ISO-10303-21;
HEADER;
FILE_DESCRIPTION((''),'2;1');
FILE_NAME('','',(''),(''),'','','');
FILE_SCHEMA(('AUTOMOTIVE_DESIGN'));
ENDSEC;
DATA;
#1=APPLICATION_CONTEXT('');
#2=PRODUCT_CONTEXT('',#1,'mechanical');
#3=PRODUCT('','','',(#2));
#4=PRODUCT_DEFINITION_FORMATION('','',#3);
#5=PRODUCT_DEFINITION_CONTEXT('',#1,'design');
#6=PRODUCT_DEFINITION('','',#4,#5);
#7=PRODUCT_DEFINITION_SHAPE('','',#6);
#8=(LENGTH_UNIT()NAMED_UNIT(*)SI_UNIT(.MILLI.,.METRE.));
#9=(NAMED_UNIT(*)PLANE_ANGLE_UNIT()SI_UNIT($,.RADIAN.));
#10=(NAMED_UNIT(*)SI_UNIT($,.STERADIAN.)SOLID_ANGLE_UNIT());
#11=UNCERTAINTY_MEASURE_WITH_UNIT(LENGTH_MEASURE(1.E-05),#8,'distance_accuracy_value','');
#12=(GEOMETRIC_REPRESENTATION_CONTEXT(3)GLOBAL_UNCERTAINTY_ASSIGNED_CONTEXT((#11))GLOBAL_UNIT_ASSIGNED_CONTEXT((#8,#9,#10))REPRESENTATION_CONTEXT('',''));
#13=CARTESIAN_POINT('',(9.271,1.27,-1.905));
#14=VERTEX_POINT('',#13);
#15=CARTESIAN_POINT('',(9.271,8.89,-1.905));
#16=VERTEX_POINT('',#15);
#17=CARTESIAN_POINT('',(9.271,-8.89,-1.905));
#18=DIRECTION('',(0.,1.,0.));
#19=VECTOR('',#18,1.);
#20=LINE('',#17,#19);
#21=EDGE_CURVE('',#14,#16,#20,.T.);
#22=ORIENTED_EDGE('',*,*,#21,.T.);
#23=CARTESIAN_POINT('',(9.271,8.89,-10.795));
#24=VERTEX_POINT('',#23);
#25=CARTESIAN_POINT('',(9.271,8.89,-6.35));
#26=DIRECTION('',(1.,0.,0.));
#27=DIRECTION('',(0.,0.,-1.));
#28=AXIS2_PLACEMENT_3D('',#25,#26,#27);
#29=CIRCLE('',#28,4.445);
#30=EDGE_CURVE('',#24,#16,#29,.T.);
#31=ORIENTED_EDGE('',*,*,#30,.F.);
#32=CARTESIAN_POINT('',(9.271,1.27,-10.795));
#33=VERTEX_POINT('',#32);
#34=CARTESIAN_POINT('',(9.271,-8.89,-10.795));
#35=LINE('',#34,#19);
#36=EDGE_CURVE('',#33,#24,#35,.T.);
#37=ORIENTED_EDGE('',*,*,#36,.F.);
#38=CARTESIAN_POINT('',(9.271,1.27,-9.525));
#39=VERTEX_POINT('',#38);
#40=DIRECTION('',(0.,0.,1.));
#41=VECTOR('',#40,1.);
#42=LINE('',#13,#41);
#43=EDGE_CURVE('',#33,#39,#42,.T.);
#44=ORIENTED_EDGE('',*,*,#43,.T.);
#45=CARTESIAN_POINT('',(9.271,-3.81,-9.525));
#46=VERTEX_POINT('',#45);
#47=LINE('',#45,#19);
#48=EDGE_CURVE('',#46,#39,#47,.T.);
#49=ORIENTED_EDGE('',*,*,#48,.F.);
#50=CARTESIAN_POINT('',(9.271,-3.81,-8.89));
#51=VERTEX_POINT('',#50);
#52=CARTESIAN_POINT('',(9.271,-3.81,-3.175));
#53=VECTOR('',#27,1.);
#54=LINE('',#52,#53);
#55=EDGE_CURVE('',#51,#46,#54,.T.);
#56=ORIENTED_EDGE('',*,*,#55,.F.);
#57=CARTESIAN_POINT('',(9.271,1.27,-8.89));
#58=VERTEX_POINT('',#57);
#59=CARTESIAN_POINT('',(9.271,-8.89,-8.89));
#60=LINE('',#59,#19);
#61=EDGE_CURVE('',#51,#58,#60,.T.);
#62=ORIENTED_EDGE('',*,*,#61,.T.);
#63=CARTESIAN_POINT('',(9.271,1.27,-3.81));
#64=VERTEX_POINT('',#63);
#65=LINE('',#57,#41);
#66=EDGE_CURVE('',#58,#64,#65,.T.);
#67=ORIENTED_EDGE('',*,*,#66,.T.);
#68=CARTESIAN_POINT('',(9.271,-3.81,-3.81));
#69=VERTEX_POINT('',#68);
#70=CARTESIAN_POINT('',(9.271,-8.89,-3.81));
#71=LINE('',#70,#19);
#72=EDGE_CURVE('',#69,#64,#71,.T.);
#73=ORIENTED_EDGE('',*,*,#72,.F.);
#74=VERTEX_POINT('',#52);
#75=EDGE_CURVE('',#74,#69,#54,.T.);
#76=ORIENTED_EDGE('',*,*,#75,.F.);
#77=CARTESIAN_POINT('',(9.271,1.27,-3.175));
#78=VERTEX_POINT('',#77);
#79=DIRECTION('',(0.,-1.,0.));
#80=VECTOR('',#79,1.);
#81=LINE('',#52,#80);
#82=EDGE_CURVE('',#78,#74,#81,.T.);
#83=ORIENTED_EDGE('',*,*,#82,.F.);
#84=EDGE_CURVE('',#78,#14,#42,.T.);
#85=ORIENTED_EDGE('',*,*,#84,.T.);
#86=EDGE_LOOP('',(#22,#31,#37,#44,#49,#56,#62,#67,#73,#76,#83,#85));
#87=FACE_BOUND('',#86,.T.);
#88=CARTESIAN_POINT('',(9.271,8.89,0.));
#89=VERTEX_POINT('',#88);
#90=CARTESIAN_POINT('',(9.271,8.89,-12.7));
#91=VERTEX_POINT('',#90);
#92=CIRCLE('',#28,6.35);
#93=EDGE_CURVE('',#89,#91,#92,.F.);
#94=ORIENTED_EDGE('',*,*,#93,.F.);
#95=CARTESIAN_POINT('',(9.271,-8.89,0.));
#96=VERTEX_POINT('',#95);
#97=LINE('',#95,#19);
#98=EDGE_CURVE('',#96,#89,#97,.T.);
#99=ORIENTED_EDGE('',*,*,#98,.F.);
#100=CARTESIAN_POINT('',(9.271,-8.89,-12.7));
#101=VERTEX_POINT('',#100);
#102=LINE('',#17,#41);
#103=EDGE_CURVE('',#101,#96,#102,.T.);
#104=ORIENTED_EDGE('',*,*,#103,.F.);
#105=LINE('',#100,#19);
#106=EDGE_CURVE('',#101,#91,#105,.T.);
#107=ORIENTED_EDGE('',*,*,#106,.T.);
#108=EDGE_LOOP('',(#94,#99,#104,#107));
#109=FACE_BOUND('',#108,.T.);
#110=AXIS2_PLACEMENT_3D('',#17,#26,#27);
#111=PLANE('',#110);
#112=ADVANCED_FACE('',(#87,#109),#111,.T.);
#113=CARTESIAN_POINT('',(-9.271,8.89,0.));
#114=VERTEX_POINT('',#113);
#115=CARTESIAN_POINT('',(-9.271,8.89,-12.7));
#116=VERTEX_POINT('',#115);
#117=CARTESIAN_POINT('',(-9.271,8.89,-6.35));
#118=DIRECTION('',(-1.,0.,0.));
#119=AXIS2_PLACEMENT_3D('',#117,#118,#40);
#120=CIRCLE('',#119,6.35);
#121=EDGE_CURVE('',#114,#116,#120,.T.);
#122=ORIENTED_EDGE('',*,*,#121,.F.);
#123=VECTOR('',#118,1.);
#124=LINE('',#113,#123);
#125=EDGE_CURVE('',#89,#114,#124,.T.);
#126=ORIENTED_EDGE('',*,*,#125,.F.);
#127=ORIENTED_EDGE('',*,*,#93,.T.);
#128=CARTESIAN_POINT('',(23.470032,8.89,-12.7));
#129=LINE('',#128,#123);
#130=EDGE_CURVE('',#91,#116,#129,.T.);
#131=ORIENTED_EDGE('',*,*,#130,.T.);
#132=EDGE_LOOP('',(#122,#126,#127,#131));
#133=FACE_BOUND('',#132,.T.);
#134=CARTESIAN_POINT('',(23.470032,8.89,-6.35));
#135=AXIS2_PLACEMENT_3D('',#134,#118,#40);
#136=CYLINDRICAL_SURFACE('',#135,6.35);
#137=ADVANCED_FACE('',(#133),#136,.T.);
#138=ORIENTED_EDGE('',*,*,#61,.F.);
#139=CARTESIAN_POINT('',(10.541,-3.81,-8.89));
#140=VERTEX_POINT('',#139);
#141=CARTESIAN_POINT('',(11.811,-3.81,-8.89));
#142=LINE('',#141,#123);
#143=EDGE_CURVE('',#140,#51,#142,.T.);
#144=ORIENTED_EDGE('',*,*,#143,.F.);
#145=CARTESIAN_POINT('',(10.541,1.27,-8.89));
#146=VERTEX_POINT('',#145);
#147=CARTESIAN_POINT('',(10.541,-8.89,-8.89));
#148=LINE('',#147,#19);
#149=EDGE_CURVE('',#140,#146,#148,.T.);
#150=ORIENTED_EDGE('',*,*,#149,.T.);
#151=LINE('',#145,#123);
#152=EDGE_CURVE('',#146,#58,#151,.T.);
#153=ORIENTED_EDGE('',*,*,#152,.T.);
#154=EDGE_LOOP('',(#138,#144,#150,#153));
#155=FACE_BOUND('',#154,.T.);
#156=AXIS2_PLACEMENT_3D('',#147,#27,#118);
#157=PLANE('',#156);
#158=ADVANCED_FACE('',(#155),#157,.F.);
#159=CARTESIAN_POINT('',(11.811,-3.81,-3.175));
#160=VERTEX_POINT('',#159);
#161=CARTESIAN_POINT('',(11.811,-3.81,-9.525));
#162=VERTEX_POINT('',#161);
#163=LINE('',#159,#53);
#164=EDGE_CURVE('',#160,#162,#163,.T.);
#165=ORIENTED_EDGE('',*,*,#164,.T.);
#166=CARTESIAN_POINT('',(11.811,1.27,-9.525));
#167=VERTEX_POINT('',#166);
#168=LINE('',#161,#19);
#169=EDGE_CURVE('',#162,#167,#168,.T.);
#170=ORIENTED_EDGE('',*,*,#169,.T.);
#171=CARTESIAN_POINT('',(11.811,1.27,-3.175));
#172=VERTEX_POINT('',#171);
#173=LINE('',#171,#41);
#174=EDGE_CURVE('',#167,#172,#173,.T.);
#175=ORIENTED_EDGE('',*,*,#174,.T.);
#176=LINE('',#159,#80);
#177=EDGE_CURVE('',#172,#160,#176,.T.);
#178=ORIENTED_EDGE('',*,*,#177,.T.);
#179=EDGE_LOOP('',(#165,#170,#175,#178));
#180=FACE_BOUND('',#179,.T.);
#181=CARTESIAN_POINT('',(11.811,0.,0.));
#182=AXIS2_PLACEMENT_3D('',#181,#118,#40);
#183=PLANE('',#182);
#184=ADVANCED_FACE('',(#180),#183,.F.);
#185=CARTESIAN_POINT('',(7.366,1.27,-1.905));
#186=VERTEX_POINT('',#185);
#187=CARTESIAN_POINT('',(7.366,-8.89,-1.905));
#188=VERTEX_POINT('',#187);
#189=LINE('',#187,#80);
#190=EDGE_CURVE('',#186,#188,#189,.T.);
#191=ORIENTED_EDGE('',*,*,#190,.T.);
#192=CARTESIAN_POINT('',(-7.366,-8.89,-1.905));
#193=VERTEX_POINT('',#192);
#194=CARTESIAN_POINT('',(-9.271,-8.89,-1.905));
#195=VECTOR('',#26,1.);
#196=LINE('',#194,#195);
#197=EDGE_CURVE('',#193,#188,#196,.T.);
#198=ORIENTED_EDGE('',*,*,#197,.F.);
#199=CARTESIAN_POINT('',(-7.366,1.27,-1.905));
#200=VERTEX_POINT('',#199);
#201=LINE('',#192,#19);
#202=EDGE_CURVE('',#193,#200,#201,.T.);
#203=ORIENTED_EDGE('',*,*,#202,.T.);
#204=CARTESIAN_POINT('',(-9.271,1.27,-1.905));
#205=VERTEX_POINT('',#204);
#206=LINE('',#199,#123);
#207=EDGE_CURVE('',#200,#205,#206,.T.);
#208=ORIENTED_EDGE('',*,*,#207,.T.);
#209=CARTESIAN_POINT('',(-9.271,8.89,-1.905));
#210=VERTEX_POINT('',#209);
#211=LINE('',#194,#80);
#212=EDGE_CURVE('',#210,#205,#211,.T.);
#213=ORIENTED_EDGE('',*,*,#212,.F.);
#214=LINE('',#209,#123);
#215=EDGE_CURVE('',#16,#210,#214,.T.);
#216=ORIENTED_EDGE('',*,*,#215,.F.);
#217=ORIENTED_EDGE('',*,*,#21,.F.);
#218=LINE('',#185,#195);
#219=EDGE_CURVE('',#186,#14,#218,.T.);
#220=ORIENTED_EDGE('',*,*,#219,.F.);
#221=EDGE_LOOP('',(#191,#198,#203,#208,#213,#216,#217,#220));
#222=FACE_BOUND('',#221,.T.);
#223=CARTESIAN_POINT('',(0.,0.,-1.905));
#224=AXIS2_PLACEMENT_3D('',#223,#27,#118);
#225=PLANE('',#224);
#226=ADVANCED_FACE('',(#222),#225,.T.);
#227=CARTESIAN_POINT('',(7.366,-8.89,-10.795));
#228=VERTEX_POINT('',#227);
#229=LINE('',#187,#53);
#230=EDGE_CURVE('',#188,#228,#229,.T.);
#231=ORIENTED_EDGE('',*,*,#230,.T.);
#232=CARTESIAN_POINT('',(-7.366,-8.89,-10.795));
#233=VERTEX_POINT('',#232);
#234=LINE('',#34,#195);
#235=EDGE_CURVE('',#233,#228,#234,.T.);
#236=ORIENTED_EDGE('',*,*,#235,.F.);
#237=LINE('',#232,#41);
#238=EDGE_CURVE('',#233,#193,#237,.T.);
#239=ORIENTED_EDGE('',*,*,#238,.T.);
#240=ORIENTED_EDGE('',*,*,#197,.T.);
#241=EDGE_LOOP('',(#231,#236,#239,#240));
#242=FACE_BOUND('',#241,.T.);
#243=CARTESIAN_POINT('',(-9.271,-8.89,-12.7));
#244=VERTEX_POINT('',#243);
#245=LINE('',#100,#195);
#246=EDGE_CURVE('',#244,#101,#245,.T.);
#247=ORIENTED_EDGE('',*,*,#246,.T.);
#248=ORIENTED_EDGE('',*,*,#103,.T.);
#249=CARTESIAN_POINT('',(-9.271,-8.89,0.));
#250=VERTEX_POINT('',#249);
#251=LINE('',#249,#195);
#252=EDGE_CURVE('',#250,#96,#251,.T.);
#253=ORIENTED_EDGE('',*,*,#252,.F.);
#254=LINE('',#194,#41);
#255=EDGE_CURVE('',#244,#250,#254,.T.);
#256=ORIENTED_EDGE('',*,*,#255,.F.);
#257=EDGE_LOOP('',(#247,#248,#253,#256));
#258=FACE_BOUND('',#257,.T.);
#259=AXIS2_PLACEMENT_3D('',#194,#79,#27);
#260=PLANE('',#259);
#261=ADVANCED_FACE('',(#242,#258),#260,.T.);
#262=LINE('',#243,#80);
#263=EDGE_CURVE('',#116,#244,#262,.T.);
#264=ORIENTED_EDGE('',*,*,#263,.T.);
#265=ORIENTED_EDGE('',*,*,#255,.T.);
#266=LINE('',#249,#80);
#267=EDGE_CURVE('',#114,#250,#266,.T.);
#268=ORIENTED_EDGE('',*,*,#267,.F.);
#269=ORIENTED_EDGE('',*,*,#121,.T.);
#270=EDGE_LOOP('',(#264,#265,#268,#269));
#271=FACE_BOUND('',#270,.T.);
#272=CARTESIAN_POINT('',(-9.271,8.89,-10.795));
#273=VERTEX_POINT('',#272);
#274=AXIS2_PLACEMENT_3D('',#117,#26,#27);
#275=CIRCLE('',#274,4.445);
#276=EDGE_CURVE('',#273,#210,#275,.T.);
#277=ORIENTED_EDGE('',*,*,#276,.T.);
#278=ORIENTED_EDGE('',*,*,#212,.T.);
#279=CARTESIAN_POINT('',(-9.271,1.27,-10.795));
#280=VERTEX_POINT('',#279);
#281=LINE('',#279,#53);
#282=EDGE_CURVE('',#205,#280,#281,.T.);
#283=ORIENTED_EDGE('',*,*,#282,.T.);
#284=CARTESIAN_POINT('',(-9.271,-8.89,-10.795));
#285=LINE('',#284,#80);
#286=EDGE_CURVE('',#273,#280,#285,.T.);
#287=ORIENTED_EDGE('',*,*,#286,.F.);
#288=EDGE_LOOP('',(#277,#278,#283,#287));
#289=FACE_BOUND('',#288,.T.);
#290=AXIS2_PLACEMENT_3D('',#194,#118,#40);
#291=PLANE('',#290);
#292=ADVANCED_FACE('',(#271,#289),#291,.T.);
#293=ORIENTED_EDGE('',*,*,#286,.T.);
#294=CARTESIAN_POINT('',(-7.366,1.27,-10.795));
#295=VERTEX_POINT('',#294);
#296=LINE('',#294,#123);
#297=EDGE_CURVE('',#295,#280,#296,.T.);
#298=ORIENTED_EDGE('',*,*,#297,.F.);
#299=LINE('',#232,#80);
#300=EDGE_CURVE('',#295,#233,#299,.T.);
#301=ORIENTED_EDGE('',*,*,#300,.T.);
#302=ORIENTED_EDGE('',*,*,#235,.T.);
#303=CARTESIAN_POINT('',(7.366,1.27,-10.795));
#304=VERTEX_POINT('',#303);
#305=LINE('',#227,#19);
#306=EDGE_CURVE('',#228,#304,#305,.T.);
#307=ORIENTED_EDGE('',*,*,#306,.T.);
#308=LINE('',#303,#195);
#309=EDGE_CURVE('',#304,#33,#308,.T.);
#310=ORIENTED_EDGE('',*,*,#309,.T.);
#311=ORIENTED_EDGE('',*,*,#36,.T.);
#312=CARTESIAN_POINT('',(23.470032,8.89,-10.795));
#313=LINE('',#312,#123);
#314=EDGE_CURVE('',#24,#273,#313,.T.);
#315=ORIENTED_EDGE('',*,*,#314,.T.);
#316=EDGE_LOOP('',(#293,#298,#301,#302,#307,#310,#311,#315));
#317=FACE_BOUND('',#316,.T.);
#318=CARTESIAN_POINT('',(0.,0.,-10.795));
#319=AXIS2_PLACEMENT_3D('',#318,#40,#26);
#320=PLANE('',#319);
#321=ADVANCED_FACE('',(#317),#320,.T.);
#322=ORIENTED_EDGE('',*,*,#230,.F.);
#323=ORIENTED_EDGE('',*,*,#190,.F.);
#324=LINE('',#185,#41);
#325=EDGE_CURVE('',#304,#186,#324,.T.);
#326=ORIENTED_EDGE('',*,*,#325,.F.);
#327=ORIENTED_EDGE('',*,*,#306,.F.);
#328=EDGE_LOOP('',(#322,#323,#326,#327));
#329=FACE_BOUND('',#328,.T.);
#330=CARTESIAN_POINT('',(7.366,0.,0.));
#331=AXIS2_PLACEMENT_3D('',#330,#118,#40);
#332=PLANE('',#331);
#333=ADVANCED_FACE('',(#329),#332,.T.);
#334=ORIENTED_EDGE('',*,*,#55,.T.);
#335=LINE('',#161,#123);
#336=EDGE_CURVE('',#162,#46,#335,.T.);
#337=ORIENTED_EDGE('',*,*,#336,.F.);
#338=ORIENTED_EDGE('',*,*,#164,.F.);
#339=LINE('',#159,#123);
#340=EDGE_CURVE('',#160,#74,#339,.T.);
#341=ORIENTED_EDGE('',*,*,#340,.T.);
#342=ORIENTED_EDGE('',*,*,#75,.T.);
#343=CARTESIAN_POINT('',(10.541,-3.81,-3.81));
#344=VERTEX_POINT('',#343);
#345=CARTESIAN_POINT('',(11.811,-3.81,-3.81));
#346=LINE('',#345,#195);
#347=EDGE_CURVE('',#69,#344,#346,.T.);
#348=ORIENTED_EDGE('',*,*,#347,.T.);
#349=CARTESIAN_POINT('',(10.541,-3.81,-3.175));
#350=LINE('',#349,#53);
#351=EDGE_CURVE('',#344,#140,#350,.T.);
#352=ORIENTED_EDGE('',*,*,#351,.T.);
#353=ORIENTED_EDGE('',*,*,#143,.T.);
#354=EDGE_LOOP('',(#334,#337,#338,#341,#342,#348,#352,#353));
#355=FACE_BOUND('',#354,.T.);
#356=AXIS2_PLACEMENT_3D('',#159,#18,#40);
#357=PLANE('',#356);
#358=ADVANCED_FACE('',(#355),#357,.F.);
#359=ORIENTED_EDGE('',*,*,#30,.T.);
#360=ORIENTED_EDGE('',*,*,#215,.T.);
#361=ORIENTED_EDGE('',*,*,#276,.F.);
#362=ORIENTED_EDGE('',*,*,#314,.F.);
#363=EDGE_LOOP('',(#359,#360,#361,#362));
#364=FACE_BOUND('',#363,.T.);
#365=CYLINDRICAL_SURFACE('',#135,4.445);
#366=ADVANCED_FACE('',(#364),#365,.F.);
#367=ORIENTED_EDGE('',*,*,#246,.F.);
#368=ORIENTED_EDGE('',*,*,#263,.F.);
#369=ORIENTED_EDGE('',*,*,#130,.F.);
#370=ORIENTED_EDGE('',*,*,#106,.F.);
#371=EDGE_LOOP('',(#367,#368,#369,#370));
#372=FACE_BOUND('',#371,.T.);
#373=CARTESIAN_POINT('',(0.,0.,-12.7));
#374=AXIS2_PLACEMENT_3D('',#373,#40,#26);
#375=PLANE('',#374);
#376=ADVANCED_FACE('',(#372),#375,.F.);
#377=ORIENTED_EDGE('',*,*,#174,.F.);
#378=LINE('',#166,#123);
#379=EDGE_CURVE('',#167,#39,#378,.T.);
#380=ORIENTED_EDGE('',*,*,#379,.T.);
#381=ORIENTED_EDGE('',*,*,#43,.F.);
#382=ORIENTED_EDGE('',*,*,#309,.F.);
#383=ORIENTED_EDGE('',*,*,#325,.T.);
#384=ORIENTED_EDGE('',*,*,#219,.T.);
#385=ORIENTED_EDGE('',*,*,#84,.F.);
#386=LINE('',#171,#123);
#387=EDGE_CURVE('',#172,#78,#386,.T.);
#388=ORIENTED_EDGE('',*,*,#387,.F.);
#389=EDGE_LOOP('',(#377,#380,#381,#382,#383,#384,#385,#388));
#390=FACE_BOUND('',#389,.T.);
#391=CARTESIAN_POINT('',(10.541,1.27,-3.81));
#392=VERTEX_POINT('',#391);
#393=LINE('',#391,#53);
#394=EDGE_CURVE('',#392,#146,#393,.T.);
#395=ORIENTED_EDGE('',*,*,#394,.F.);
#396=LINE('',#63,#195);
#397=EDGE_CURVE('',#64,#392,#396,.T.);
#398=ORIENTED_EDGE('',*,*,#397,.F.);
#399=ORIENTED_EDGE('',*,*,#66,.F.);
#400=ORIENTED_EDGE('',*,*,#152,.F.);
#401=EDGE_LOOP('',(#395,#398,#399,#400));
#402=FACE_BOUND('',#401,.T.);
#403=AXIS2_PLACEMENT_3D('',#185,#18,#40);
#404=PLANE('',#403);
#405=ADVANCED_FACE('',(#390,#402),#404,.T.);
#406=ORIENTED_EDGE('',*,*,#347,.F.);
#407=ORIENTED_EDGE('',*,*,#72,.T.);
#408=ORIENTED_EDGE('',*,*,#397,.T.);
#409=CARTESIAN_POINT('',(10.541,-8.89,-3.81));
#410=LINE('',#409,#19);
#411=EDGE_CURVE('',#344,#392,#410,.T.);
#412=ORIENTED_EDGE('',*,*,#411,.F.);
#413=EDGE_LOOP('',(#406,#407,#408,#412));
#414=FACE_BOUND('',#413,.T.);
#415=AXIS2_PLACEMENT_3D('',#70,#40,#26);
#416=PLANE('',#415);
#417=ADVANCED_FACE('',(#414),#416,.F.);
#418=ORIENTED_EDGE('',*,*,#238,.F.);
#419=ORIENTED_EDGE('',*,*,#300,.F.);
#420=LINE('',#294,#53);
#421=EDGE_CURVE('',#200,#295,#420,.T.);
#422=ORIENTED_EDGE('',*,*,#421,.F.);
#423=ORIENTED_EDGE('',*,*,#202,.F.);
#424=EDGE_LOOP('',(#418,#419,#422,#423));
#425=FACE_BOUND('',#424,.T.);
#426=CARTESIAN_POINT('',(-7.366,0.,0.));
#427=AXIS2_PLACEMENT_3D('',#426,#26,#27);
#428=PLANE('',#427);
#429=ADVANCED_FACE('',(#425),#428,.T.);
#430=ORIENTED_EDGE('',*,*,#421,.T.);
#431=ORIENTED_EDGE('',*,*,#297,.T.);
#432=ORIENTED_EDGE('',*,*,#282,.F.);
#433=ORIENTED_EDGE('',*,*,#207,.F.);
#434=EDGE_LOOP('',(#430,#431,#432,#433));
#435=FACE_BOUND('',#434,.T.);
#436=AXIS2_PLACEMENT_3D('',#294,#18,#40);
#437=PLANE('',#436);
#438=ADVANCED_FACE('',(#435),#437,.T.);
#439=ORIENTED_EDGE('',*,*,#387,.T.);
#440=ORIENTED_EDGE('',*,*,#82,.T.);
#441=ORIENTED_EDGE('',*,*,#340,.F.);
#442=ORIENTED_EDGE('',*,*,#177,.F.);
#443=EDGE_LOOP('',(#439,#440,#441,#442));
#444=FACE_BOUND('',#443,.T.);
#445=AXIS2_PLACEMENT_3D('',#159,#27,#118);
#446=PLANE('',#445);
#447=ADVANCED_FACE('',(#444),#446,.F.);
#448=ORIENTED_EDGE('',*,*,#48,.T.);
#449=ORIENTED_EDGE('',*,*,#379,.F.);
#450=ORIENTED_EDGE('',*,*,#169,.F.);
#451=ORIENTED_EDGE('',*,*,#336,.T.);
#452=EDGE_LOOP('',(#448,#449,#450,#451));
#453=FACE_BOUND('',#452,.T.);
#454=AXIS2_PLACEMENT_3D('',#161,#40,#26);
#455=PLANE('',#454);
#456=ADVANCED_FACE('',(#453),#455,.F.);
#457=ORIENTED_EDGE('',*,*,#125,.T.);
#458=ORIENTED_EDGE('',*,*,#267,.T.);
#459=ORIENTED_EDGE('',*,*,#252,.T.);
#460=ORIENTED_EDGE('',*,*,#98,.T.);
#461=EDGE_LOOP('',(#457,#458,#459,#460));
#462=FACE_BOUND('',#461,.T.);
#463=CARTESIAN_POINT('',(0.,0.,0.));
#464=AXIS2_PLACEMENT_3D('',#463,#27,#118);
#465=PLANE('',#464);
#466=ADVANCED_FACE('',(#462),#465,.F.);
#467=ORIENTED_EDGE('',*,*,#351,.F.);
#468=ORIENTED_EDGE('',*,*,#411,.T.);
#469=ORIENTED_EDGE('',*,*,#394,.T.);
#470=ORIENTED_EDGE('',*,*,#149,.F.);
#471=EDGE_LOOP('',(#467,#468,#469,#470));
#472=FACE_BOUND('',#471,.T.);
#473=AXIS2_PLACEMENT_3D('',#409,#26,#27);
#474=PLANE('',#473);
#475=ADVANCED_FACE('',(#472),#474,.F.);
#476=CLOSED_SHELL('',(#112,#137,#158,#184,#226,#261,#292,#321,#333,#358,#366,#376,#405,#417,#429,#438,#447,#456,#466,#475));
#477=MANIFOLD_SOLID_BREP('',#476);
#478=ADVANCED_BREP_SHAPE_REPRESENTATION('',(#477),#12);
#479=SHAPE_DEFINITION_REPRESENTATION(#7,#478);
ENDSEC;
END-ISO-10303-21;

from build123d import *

# Parameters (mm, degrees)
SKETCH1_W           = 18.542
SKETCH1_H           = 17.78
BOSS_EXTRUDE4_DEPTH = 1.905
SKETCH4_W           = 18.542
SKETCH4_H           = 17.78
BOSS_EXTRUDE5_DEPTH = 1.905
BOSS_EXTRUDE6_DEPTH = 18.542
SKETCH7_W           = 8.89
SKETCH7_H           = 10.16
BOSS_EXTRUDE7_DEPTH = 1.905
SKETCH8_W           = 8.89
SKETCH8_H           = 10.16
BOSS_EXTRUDE8_DEPTH = 1.905
SKETCH9_W           = 6.35
SKETCH9_H           = 5.08
BOSS_EXTRUDE9_DEPTH = 2.54
SKETCH10_W          = 1.27
SKETCH10_H          = 5.08
CUT_EXTRUDE1_DEPTH  = 23.269948832


with BuildPart() as part:
    # Sketch1 → Boss-Extrude4 (new body)
    with BuildSketch(Plane.XY):
        Rectangle(SKETCH1_W, SKETCH1_H)
    extrude(amount=-BOSS_EXTRUDE4_DEPTH)



with BuildPart() as body_2:
    # Sketch4 → Boss-Extrude5 (new body)
    with BuildSketch(Plane.XY.offset(-12.7)):
        Rectangle(SKETCH4_W, SKETCH4_H)
    extrude(amount=BOSS_EXTRUDE5_DEPTH)


with BuildPart() as part_1:
    add(part.part)

    add(body_2.part)  # Boss-Extrude6 merges body 2
    # Sketch6 → Boss-Extrude6 (add)
    with BuildSketch(Plane.ZY.offset(9.271)):
        with BuildLine():
            Line((-12.7, 8.89), (-10.795, 8.89))
            ThreePointArc((-10.795, 8.89), (-6.35, 13.335), (-1.905, 8.89))
            Line((-1.905, 8.89), (0, 8.89))
            ThreePointArc((0, 8.89), (-6.35, 15.24), (-12.7, 8.89))
        make_face()
    extrude(amount=-BOSS_EXTRUDE6_DEPTH)

    # Sketch7 → Boss-Extrude7 (add)
    with BuildSketch(Plane.ZY.offset(9.271)):
        with Locations((-6.35, -3.81)):
            Rectangle(SKETCH7_W, SKETCH7_H)
    extrude(amount=-BOSS_EXTRUDE7_DEPTH)

    # Sketch8 → Boss-Extrude8 (add)
    with BuildSketch(Plane(origin=(9.271, 0, 0), x_dir=(0, 0, -1), z_dir=(1, 0, 0))):
        with Locations((6.35, -3.81)):
            Rectangle(SKETCH8_W, SKETCH8_H)
    extrude(amount=-BOSS_EXTRUDE8_DEPTH)

    # Sketch9 → Boss-Extrude9 (add)
    with BuildSketch(Plane(origin=(9.271, 0, 0), x_dir=(0, 0, -1), z_dir=(1, 0, 0))):
        with Locations((6.35, -1.27)):
            Rectangle(SKETCH9_W, SKETCH9_H)
    extrude(amount=BOSS_EXTRUDE9_DEPTH)

    # Sketch10 → Cut-Extrude1 (cut, through all)
    with BuildSketch(Plane(origin=(0, 1.27, 0), x_dir=(1, 0, 0), z_dir=(0, 1, 0))):
        with Locations((9.906, 6.35)):
            Rectangle(SKETCH10_W, SKETCH10_H)
    extrude(amount=-CUT_EXTRUDE1_DEPTH, mode=Mode.SUBTRACT)


solid = part_1.part
